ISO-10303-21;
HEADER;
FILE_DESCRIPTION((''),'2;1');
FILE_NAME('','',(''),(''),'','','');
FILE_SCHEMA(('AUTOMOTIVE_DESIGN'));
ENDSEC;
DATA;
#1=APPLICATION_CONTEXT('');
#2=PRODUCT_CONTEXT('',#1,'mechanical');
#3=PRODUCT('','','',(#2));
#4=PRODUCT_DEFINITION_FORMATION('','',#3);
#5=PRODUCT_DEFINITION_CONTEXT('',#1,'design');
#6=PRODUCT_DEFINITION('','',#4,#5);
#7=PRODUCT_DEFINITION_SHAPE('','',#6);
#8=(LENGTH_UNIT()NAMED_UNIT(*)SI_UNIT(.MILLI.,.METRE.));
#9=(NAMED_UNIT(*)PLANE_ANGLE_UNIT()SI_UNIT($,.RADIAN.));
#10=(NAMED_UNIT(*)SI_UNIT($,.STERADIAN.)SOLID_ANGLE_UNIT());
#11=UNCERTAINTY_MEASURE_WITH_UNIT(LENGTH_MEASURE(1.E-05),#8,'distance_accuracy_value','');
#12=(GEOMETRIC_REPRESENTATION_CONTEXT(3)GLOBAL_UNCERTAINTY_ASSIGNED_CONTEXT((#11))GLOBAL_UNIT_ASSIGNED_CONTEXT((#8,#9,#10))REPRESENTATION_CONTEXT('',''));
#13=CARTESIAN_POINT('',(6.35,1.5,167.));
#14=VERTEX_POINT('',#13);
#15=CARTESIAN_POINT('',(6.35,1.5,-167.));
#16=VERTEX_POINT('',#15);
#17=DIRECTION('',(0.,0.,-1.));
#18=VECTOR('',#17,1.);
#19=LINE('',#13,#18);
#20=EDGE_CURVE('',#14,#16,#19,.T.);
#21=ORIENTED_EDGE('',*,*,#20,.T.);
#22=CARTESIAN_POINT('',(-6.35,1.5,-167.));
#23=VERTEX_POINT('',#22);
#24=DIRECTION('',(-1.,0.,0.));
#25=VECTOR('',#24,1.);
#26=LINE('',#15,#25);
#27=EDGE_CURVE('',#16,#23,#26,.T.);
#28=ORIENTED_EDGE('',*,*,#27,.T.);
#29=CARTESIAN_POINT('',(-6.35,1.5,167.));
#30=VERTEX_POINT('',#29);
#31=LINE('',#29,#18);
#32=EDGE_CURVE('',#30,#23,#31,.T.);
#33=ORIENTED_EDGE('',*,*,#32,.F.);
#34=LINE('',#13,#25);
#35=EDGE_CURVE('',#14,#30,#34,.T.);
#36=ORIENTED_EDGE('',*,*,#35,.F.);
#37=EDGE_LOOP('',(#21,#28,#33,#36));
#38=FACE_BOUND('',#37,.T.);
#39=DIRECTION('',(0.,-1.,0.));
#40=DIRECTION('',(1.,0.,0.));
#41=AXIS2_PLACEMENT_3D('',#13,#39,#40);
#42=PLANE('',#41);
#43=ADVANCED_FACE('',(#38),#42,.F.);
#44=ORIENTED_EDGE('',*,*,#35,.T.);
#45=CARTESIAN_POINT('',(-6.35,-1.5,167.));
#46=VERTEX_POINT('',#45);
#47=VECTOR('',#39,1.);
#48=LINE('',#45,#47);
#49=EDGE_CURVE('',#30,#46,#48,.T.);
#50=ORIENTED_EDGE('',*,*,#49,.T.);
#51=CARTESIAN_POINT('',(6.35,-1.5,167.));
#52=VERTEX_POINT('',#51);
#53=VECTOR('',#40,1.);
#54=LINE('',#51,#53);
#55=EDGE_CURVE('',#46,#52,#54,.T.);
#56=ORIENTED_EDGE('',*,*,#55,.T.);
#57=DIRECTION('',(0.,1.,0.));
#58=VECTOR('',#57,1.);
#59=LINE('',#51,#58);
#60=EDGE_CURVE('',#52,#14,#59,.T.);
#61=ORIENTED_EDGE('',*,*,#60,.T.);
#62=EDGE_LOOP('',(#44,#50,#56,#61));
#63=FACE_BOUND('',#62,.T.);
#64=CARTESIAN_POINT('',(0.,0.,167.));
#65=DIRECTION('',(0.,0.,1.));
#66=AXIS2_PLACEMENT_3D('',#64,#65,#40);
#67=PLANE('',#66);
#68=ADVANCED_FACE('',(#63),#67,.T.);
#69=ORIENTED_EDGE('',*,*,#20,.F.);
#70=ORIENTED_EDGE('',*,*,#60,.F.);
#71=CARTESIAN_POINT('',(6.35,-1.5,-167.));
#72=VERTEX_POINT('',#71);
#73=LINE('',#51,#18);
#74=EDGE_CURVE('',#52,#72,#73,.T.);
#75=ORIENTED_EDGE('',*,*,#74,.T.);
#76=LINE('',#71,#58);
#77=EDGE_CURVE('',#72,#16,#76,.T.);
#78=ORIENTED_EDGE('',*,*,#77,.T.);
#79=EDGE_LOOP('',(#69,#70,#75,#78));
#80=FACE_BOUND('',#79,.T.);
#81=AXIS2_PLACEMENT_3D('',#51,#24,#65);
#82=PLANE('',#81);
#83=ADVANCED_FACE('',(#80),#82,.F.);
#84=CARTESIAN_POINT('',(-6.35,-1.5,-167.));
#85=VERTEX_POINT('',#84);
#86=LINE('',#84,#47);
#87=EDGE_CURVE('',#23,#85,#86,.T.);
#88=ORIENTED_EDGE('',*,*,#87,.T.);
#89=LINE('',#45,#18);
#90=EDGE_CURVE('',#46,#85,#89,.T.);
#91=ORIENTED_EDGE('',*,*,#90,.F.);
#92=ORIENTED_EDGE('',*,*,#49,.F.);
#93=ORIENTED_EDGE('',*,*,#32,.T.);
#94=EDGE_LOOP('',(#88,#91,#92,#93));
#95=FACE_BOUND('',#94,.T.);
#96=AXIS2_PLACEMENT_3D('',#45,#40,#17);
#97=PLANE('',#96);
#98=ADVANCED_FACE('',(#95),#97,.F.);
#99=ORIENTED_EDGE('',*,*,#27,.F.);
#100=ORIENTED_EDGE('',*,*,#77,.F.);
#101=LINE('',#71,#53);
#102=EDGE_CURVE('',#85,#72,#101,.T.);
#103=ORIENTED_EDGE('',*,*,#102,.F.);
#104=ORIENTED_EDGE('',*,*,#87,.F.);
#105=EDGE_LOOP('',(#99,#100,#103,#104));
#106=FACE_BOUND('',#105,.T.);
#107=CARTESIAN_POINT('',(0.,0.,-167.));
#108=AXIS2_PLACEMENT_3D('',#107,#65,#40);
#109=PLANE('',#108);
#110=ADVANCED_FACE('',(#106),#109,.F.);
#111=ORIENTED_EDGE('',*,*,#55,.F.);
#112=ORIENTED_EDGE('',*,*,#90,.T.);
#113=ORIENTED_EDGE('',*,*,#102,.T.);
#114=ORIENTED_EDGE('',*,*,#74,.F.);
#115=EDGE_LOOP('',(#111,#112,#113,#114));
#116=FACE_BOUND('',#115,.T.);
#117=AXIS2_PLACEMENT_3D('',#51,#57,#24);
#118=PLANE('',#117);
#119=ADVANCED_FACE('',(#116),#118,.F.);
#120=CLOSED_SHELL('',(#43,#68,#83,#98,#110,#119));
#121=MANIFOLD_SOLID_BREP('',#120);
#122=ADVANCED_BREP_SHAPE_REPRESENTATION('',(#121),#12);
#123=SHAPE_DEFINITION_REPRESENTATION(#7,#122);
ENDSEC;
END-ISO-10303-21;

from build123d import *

# Parameters (mm, degrees)
CROQUIS1_W              = 12.7
CROQUIS1_H              = 3
SALIENTE_EXTRUIR1_DEPTH = 167


with BuildPart() as part:
    # Croquis1 → Saliente-Extruir1 (new, symmetric)
    with BuildSketch(Plane.XY):
        Rectangle(CROQUIS1_W, CROQUIS1_H)
    extrude(amount=SALIENTE_EXTRUIR1_DEPTH, both=True)


solid = part.part
